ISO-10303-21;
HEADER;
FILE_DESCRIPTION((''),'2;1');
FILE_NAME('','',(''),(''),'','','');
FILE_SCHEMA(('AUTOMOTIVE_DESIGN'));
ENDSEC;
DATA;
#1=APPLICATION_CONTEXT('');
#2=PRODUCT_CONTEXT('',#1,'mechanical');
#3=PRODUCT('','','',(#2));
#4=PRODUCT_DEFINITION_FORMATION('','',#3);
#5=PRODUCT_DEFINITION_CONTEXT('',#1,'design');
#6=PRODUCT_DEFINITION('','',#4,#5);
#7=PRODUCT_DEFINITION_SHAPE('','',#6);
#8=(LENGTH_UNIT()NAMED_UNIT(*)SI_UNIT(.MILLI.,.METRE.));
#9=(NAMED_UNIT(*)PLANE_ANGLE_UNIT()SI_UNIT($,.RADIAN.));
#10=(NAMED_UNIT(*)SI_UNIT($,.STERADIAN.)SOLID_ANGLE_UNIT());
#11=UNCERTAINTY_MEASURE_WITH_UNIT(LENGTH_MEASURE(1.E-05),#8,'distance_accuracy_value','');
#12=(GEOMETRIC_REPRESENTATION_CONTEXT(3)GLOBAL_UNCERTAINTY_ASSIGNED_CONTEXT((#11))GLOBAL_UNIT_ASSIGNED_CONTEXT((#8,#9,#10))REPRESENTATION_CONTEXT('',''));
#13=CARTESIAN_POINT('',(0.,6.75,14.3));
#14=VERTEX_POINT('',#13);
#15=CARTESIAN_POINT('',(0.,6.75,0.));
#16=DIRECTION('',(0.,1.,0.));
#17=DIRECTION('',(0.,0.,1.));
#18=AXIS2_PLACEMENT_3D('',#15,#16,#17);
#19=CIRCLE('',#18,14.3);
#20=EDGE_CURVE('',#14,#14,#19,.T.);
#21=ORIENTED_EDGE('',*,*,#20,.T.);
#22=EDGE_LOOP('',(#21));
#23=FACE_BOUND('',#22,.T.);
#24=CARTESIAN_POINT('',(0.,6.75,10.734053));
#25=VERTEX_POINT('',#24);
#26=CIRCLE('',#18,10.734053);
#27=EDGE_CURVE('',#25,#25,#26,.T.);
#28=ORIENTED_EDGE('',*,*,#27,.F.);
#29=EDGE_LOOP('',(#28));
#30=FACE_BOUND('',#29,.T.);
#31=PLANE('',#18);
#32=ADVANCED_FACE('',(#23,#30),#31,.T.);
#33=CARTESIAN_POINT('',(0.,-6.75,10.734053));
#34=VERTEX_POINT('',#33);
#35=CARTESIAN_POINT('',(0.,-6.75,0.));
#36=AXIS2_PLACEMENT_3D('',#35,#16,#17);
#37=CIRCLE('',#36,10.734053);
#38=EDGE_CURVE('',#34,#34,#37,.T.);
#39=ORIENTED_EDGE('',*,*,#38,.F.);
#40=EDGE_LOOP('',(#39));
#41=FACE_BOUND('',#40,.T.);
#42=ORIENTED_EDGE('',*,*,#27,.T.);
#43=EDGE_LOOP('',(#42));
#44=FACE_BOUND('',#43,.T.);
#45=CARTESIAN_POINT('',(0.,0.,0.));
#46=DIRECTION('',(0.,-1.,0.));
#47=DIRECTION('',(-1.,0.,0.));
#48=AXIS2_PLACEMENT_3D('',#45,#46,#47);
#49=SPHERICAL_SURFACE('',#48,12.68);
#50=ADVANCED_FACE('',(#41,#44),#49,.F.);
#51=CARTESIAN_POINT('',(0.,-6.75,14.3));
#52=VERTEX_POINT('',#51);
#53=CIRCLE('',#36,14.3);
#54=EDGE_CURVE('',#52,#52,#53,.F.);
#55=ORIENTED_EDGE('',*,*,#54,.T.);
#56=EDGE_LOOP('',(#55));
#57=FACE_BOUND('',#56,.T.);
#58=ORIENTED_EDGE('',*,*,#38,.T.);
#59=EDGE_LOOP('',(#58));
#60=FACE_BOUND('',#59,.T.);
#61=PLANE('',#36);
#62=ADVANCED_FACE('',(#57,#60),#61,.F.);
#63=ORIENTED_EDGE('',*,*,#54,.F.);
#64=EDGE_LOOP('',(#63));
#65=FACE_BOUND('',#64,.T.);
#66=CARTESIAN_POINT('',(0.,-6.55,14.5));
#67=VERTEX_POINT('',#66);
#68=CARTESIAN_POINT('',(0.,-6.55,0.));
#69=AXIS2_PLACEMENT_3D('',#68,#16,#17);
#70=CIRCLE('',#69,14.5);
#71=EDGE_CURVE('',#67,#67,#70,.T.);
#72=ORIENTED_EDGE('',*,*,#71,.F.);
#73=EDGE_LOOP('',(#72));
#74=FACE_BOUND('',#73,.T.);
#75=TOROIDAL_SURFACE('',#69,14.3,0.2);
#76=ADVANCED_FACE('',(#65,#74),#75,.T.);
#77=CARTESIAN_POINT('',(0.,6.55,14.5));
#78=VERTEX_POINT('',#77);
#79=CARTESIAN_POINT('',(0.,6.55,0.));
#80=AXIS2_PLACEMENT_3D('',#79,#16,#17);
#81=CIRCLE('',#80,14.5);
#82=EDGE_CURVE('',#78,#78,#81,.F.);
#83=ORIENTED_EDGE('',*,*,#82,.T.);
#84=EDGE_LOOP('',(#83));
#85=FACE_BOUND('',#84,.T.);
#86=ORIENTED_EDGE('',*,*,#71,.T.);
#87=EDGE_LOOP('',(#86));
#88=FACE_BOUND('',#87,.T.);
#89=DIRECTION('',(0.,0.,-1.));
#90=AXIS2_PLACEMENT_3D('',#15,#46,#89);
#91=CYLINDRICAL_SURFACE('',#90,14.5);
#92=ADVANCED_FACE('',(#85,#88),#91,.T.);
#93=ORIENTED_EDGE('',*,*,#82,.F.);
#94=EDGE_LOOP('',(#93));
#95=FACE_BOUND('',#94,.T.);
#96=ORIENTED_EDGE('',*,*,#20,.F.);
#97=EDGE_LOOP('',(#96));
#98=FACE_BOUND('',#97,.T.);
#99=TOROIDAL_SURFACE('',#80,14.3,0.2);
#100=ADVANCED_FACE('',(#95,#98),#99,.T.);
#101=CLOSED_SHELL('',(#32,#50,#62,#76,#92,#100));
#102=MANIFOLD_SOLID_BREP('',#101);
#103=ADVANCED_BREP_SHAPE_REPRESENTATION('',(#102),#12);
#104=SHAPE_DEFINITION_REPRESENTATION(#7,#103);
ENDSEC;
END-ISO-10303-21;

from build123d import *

# Parameters (mm, degrees)
SZKIC1_R                    = 14.5
DODANIE_WYCI_GNI_CIE1_DEPTH = 6.75
ZAOKR_GLENIE1_R             = 0.2


with BuildPart() as part:
    # Szkic1 → Dodanie-wyciągnięcie1 (new body, symmetric)
    with BuildSketch(Plane(origin=(0, 0, 0), x_dir=(1, 0, 0), z_dir=(0, 1, 0))):
        Circle(SZKIC1_R)
    extrude(amount=DODANIE_WYCI_GNI_CIE1_DEPTH, both=True)

    # Szkic3 → Wycięcie-obrót1 (revolve, cut)
    with BuildSketch(Plane.XY):
        with BuildLine():
            Line((0, -12.68), (0, 12.68))
            ThreePointArc((0, 12.68), (12.68, 0), (0, -12.68))
        make_face()
    revolve(axis=Axis((0, -12.68, 0), (0, 1, 0)), mode=Mode.SUBTRACT)

    # Zaokrąglenie1
    zaokr_glenie1_edges = [part.edges().sort_by_distance(p)[0] for p in [
        (-14.5, -6.75, 0),
        (-14.5, 6.75, 0),
    ]]
    fillet(zaokr_glenie1_edges, radius=ZAOKR_GLENIE1_R)


solid = part.part
